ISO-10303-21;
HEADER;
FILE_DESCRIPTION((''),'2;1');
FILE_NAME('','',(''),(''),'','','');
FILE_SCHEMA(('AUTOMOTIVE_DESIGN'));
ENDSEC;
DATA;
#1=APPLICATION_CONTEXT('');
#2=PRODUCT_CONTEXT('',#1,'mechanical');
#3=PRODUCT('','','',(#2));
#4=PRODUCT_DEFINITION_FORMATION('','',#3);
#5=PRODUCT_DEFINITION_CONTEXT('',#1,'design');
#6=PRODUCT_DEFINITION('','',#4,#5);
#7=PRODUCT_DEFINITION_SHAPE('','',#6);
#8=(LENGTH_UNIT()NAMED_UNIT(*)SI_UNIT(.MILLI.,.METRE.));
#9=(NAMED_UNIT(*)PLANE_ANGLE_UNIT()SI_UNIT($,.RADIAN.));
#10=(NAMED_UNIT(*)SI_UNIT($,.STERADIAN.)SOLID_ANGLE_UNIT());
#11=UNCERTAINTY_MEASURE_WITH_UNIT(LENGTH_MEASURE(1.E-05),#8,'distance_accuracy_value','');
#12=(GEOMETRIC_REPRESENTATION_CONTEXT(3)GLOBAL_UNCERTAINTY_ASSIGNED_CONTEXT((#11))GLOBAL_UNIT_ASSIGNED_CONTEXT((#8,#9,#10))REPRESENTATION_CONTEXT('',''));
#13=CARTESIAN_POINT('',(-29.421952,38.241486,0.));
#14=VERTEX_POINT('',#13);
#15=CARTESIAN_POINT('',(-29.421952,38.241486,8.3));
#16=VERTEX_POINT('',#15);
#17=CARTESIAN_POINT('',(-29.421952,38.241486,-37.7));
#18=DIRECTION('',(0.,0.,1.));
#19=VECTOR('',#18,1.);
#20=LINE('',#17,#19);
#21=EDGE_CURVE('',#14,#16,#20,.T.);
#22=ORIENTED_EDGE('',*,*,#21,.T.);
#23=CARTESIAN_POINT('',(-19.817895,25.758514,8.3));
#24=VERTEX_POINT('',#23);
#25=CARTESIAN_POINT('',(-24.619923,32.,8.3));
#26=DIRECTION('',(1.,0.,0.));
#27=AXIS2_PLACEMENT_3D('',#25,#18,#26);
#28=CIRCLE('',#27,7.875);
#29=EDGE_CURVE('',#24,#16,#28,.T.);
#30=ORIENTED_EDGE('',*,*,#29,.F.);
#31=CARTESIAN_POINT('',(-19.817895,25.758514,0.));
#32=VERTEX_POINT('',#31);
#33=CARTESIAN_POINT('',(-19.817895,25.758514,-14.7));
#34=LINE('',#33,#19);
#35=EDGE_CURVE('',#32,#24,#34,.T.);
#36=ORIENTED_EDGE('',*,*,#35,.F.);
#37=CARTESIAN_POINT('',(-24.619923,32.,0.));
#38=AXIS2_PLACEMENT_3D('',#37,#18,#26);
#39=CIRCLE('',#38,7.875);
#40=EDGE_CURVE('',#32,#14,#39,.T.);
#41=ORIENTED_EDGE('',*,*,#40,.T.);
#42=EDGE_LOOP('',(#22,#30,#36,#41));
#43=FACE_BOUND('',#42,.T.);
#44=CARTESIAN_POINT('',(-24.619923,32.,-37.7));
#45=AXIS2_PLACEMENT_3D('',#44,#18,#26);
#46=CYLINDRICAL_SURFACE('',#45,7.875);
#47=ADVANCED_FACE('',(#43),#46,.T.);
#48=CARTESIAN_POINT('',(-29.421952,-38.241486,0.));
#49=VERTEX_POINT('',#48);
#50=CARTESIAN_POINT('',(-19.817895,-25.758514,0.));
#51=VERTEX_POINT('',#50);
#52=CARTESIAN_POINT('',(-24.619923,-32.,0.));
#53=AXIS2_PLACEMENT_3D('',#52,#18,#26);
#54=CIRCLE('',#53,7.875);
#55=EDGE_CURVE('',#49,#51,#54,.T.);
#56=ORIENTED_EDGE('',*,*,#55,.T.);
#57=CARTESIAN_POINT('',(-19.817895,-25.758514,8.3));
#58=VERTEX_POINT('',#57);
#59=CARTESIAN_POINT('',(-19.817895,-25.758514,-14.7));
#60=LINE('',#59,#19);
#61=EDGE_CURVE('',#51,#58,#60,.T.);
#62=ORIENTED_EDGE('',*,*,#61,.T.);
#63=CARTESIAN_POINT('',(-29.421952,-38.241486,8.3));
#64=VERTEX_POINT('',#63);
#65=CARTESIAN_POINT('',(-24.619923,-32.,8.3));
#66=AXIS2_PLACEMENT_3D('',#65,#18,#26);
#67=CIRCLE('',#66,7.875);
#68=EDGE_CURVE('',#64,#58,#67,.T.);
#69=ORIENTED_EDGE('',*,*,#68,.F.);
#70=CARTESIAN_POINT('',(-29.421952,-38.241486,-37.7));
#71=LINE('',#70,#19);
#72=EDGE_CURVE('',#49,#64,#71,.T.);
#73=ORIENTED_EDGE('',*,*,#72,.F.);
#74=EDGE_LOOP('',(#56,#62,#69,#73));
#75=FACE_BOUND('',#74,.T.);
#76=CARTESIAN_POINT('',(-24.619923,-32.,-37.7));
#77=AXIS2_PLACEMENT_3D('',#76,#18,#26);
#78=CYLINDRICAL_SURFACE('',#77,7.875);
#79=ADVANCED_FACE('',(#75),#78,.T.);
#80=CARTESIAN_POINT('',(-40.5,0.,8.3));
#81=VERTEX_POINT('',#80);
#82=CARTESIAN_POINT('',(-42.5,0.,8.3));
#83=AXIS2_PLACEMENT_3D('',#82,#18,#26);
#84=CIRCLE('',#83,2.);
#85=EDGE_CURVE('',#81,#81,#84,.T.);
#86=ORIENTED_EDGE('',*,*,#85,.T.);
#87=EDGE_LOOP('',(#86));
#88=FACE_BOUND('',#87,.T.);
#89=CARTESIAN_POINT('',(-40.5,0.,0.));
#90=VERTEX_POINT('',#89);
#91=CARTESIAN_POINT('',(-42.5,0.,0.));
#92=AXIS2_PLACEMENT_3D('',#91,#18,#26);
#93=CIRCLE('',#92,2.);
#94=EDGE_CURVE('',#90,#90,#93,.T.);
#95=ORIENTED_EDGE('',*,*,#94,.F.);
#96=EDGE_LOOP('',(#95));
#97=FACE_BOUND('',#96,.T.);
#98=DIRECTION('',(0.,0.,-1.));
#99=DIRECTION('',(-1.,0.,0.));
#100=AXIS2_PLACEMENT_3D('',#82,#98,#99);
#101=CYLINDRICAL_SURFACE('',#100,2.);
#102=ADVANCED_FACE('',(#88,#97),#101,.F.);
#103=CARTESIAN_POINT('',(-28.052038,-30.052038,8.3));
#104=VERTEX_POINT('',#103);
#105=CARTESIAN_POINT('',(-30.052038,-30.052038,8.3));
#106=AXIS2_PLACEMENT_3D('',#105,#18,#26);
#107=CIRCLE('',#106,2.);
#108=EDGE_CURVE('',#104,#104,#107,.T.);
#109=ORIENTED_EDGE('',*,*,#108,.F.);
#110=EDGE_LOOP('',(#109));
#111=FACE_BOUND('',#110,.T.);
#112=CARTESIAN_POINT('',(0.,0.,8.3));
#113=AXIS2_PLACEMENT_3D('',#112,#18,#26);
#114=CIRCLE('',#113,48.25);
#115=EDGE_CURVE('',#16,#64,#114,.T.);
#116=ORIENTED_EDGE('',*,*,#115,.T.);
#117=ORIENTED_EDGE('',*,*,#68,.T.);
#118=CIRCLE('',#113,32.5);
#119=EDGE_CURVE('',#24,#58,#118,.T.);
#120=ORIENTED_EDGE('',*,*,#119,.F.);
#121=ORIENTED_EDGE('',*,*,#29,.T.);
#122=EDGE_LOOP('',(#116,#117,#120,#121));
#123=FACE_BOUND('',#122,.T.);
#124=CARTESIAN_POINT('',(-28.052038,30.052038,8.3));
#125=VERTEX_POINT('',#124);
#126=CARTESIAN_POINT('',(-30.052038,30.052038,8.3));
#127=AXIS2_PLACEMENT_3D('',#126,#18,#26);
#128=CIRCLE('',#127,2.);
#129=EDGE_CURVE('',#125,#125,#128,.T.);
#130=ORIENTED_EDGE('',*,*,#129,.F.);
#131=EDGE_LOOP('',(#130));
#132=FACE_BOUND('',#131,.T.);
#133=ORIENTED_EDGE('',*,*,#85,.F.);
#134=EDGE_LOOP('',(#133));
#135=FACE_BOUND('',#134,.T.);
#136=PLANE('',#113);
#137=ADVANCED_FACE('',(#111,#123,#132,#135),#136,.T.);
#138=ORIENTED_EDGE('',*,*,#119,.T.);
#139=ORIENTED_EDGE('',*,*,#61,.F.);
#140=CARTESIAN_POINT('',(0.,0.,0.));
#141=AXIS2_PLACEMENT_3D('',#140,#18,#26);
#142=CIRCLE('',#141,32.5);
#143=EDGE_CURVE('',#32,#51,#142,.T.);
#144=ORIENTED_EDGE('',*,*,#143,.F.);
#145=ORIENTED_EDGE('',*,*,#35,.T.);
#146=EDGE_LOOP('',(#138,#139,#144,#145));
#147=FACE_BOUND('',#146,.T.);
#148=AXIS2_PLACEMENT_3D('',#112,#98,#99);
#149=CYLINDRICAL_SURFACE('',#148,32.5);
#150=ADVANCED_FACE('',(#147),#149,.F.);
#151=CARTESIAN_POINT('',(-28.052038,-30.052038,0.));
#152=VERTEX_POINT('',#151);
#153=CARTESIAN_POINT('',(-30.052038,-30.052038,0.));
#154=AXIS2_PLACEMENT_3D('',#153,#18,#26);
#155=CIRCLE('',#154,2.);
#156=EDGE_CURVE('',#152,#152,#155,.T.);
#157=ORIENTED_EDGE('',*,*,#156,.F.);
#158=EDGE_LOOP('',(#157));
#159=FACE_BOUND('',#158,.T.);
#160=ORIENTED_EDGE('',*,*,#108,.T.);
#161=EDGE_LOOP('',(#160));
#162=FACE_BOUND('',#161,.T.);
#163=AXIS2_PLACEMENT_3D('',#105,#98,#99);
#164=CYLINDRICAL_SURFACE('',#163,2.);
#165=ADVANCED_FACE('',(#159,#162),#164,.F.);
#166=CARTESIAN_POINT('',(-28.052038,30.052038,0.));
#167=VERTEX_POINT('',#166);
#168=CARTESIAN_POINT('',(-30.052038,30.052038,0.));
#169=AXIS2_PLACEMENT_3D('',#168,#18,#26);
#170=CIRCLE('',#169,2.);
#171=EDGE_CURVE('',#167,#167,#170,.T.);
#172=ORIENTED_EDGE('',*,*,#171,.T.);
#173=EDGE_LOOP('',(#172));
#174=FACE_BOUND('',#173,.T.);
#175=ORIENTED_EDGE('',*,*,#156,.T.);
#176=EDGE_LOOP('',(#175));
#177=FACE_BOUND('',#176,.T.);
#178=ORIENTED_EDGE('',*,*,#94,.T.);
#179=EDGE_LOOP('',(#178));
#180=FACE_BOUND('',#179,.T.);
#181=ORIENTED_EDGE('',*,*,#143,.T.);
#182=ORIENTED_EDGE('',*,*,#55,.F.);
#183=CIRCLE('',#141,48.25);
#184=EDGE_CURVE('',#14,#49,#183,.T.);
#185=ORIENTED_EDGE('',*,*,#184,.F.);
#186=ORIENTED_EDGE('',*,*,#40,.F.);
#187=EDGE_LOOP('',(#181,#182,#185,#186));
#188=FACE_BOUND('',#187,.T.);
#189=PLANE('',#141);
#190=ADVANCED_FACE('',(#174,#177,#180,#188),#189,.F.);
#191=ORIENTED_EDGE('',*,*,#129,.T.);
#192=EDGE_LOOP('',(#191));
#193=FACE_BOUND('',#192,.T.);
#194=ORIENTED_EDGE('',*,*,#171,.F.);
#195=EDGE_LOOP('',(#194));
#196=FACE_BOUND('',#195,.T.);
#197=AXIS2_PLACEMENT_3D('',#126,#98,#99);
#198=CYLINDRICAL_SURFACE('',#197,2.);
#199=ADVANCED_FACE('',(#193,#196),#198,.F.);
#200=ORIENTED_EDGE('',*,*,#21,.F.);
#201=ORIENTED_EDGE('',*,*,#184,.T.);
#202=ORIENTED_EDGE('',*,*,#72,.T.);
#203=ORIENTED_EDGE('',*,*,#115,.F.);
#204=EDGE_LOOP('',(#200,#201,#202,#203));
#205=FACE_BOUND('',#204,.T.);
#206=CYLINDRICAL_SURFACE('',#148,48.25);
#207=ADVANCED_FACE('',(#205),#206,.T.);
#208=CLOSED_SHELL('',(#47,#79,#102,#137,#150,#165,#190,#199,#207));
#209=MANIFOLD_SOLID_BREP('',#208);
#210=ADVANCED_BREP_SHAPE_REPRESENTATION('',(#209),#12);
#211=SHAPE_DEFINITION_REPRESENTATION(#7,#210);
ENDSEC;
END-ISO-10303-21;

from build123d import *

# Parameters (mm, degrees)
SKETCH_1_R          = 48.25
SKETCH_1_R_2        = 32.5
SKETCH_1_R_3        = 2
EXTRUDE_1_DEPTH     = 8.3
CUT_EXTRUDE_START   = -46
SKETCH_2_R          = 2
CUT_EXTRUDE_1_DEPTH = 46


with BuildPart() as part:
    # 草图1 → 凸台-拉伸1 (new body)
    with BuildSketch(Plane.XY):
        Circle(SKETCH_1_R)
        Circle(SKETCH_1_R_2, mode=Mode.SUBTRACT)
        with Locations((0, 42.5)):
            Circle(SKETCH_1_R_3, mode=Mode.SUBTRACT)
        with Locations((30.0520382, 30.0520382)):
            Circle(SKETCH_1_R_3, mode=Mode.SUBTRACT)
        with Locations((42.5, 0)):
            Circle(SKETCH_1_R_3, mode=Mode.SUBTRACT)
        with Locations((30.0520382, -30.0520382)):
            Circle(SKETCH_1_R_3, mode=Mode.SUBTRACT)
        with Locations((0, -42.5)):
            Circle(SKETCH_1_R_3, mode=Mode.SUBTRACT)
        with Locations((-30.0520382, -30.0520382)):
            Circle(SKETCH_1_R_3, mode=Mode.SUBTRACT)
        with Locations((-42.5, 0)):
            Circle(SKETCH_1_R_3, mode=Mode.SUBTRACT)
        with Locations((-30.0520382, 30.0520382)):
            Circle(SKETCH_1_R_3, mode=Mode.SUBTRACT)
    extrude(amount=EXTRUDE_1_DEPTH)

    # 草图2 → 切除-拉伸1 (cut)
    # profile 1 of 2: a face of its own
    with BuildSketch(Plane.XY.offset(8.3).offset(CUT_EXTRUDE_START)):
        with BuildLine():
            ThreePointArc((40.5, 0), (42.5, 2), (44.5, 0))
            Line((44.5, 0), (48.25, 0))
            ThreePointArc((48.25, 0), (21.312594161, 43.287825426), (-29.421951508, 38.241486235))
            ThreePointArc((-29.421951508, 38.241486235), (-21.141442838, 39.065111353), (-16.744923335, 32))
            ThreePointArc((-16.744923335, 32), (-17.554811907, 28.521519654), (-19.817894894, 25.75851397))
            ThreePointArc((-19.817894894, 25.75851397), (14.355633318, 29.157602646), (32.5, 0))
            Line((32.5, 0), (40.5, 0))
        make_face()
        with Locations((0, 42.5)):
            Circle(SKETCH_2_R, mode=Mode.SUBTRACT)
        with Locations((30.0520382, 30.0520382)):
            Circle(SKETCH_2_R, mode=Mode.SUBTRACT)
    # profile 2 of 2: a face of its own
    with BuildSketch(Plane.XY.offset(8.3).offset(CUT_EXTRUDE_START)):
        with BuildLine():
            Line((48.25, 0), (44.5, 0))
            ThreePointArc((44.5, 0), (42.5, -2), (40.5, 0))
            Line((40.5, 0), (32.5, 0))
            ThreePointArc((32.5, 0), (14.355633349, -29.15760263), (-19.81789484, -25.758514012))
            ThreePointArc((-19.81789484, -25.758514012), (-17.554811892, -28.521519685), (-16.744923335, -32))
            ThreePointArc((-16.744923335, -32), (-21.14144309, -39.065111477), (-29.421951953, -38.241485892))
            ThreePointArc((-29.421951953, -38.241485892), (21.312593909, -43.28782555), (48.25, 0))
        make_face()
        with Locations((0, -42.5)):
            Circle(SKETCH_2_R, mode=Mode.SUBTRACT)
        with Locations((30.0520382, -30.0520382)):
            Circle(SKETCH_2_R, mode=Mode.SUBTRACT)
    extrude(amount=CUT_EXTRUDE_1_DEPTH, mode=Mode.SUBTRACT)


solid = part.part
